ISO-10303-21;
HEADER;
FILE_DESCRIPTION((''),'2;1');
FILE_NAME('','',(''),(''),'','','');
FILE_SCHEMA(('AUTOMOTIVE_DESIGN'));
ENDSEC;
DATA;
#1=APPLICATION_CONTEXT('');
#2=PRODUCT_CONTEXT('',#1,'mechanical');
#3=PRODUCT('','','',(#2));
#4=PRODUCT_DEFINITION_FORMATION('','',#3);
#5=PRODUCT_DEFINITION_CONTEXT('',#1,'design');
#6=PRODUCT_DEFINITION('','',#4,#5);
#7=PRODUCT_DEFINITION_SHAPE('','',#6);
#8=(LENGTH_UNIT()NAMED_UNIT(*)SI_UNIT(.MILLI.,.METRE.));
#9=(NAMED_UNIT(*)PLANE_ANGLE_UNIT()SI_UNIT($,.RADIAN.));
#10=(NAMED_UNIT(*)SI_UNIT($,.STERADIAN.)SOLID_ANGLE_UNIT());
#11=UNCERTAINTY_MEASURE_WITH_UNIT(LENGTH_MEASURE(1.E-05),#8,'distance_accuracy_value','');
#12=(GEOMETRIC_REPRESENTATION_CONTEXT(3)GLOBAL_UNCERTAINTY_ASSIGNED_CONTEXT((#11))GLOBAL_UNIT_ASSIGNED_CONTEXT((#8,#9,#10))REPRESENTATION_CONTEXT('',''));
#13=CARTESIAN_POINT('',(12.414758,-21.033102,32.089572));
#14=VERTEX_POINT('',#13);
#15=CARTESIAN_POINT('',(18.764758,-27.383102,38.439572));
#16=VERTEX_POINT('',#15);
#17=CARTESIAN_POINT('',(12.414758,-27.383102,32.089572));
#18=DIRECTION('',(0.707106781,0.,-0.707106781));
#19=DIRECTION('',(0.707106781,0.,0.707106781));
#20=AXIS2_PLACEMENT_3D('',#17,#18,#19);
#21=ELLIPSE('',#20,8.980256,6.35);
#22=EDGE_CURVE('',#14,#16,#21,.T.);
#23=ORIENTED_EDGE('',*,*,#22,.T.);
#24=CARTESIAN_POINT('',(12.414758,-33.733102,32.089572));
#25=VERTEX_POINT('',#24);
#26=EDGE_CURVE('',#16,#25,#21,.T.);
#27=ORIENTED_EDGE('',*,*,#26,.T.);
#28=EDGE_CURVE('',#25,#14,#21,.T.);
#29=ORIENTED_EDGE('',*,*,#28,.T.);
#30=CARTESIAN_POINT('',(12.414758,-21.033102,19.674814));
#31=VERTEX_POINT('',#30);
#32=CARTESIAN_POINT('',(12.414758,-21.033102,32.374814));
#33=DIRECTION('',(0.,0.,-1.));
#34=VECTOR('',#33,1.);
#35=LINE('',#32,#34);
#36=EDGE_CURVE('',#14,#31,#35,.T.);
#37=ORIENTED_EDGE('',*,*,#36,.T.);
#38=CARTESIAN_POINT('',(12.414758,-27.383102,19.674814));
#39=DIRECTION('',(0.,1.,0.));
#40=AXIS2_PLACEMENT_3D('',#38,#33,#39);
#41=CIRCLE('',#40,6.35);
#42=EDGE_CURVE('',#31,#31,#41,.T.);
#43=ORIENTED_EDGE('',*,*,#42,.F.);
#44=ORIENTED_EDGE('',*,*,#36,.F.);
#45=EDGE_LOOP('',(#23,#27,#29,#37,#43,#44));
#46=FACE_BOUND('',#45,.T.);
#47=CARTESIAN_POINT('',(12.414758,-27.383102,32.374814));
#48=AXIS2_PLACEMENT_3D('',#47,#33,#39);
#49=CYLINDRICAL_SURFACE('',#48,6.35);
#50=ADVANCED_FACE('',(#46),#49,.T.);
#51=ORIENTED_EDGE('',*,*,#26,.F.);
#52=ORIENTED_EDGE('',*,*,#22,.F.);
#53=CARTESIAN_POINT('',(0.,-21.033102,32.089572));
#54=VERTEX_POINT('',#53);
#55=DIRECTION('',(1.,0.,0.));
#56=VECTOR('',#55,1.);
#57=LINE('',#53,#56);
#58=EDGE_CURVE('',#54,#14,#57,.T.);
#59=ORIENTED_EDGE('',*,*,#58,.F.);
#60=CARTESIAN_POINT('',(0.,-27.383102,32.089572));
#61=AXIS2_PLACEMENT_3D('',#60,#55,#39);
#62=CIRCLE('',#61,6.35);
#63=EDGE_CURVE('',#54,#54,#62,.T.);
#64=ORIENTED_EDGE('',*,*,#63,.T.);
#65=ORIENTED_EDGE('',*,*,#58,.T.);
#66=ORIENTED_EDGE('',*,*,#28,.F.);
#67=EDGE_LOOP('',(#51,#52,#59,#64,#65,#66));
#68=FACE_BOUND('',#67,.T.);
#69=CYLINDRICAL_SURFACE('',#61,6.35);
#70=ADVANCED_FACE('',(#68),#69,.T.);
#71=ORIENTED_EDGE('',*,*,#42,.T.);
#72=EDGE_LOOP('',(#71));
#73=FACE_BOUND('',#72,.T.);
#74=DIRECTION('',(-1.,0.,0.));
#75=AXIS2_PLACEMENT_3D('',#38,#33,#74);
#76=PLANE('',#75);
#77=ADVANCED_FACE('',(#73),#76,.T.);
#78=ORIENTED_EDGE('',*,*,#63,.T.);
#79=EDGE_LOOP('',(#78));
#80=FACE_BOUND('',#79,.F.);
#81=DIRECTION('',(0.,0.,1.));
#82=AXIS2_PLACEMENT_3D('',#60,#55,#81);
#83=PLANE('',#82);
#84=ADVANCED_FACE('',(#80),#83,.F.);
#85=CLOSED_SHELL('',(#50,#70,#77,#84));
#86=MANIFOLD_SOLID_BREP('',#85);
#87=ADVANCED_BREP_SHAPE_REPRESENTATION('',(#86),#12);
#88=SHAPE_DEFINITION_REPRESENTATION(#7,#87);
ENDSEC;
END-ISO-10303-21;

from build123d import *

# Parameters (mm, degrees)
F0_R = 6.35


with BuildPart() as f2:
    # F2: sweep along a path in F1
    with BuildLine(Plane.XZ) as f2_path:
        Line((0, 32.3748141527), (12.7, 32.3748141527))
        Line((12.7, 32.3748141527), (12.7, 19.6748141527))
    # F0 (on Right) → F2 (sweep)
    with BuildSketch(Plane.YZ):
        with Locations((-27.3831021041, 32.0895723999)):
            Circle(F0_R)
    sweep(path=f2_path.line, transition=Transition.RIGHT)


solid = f2.part
